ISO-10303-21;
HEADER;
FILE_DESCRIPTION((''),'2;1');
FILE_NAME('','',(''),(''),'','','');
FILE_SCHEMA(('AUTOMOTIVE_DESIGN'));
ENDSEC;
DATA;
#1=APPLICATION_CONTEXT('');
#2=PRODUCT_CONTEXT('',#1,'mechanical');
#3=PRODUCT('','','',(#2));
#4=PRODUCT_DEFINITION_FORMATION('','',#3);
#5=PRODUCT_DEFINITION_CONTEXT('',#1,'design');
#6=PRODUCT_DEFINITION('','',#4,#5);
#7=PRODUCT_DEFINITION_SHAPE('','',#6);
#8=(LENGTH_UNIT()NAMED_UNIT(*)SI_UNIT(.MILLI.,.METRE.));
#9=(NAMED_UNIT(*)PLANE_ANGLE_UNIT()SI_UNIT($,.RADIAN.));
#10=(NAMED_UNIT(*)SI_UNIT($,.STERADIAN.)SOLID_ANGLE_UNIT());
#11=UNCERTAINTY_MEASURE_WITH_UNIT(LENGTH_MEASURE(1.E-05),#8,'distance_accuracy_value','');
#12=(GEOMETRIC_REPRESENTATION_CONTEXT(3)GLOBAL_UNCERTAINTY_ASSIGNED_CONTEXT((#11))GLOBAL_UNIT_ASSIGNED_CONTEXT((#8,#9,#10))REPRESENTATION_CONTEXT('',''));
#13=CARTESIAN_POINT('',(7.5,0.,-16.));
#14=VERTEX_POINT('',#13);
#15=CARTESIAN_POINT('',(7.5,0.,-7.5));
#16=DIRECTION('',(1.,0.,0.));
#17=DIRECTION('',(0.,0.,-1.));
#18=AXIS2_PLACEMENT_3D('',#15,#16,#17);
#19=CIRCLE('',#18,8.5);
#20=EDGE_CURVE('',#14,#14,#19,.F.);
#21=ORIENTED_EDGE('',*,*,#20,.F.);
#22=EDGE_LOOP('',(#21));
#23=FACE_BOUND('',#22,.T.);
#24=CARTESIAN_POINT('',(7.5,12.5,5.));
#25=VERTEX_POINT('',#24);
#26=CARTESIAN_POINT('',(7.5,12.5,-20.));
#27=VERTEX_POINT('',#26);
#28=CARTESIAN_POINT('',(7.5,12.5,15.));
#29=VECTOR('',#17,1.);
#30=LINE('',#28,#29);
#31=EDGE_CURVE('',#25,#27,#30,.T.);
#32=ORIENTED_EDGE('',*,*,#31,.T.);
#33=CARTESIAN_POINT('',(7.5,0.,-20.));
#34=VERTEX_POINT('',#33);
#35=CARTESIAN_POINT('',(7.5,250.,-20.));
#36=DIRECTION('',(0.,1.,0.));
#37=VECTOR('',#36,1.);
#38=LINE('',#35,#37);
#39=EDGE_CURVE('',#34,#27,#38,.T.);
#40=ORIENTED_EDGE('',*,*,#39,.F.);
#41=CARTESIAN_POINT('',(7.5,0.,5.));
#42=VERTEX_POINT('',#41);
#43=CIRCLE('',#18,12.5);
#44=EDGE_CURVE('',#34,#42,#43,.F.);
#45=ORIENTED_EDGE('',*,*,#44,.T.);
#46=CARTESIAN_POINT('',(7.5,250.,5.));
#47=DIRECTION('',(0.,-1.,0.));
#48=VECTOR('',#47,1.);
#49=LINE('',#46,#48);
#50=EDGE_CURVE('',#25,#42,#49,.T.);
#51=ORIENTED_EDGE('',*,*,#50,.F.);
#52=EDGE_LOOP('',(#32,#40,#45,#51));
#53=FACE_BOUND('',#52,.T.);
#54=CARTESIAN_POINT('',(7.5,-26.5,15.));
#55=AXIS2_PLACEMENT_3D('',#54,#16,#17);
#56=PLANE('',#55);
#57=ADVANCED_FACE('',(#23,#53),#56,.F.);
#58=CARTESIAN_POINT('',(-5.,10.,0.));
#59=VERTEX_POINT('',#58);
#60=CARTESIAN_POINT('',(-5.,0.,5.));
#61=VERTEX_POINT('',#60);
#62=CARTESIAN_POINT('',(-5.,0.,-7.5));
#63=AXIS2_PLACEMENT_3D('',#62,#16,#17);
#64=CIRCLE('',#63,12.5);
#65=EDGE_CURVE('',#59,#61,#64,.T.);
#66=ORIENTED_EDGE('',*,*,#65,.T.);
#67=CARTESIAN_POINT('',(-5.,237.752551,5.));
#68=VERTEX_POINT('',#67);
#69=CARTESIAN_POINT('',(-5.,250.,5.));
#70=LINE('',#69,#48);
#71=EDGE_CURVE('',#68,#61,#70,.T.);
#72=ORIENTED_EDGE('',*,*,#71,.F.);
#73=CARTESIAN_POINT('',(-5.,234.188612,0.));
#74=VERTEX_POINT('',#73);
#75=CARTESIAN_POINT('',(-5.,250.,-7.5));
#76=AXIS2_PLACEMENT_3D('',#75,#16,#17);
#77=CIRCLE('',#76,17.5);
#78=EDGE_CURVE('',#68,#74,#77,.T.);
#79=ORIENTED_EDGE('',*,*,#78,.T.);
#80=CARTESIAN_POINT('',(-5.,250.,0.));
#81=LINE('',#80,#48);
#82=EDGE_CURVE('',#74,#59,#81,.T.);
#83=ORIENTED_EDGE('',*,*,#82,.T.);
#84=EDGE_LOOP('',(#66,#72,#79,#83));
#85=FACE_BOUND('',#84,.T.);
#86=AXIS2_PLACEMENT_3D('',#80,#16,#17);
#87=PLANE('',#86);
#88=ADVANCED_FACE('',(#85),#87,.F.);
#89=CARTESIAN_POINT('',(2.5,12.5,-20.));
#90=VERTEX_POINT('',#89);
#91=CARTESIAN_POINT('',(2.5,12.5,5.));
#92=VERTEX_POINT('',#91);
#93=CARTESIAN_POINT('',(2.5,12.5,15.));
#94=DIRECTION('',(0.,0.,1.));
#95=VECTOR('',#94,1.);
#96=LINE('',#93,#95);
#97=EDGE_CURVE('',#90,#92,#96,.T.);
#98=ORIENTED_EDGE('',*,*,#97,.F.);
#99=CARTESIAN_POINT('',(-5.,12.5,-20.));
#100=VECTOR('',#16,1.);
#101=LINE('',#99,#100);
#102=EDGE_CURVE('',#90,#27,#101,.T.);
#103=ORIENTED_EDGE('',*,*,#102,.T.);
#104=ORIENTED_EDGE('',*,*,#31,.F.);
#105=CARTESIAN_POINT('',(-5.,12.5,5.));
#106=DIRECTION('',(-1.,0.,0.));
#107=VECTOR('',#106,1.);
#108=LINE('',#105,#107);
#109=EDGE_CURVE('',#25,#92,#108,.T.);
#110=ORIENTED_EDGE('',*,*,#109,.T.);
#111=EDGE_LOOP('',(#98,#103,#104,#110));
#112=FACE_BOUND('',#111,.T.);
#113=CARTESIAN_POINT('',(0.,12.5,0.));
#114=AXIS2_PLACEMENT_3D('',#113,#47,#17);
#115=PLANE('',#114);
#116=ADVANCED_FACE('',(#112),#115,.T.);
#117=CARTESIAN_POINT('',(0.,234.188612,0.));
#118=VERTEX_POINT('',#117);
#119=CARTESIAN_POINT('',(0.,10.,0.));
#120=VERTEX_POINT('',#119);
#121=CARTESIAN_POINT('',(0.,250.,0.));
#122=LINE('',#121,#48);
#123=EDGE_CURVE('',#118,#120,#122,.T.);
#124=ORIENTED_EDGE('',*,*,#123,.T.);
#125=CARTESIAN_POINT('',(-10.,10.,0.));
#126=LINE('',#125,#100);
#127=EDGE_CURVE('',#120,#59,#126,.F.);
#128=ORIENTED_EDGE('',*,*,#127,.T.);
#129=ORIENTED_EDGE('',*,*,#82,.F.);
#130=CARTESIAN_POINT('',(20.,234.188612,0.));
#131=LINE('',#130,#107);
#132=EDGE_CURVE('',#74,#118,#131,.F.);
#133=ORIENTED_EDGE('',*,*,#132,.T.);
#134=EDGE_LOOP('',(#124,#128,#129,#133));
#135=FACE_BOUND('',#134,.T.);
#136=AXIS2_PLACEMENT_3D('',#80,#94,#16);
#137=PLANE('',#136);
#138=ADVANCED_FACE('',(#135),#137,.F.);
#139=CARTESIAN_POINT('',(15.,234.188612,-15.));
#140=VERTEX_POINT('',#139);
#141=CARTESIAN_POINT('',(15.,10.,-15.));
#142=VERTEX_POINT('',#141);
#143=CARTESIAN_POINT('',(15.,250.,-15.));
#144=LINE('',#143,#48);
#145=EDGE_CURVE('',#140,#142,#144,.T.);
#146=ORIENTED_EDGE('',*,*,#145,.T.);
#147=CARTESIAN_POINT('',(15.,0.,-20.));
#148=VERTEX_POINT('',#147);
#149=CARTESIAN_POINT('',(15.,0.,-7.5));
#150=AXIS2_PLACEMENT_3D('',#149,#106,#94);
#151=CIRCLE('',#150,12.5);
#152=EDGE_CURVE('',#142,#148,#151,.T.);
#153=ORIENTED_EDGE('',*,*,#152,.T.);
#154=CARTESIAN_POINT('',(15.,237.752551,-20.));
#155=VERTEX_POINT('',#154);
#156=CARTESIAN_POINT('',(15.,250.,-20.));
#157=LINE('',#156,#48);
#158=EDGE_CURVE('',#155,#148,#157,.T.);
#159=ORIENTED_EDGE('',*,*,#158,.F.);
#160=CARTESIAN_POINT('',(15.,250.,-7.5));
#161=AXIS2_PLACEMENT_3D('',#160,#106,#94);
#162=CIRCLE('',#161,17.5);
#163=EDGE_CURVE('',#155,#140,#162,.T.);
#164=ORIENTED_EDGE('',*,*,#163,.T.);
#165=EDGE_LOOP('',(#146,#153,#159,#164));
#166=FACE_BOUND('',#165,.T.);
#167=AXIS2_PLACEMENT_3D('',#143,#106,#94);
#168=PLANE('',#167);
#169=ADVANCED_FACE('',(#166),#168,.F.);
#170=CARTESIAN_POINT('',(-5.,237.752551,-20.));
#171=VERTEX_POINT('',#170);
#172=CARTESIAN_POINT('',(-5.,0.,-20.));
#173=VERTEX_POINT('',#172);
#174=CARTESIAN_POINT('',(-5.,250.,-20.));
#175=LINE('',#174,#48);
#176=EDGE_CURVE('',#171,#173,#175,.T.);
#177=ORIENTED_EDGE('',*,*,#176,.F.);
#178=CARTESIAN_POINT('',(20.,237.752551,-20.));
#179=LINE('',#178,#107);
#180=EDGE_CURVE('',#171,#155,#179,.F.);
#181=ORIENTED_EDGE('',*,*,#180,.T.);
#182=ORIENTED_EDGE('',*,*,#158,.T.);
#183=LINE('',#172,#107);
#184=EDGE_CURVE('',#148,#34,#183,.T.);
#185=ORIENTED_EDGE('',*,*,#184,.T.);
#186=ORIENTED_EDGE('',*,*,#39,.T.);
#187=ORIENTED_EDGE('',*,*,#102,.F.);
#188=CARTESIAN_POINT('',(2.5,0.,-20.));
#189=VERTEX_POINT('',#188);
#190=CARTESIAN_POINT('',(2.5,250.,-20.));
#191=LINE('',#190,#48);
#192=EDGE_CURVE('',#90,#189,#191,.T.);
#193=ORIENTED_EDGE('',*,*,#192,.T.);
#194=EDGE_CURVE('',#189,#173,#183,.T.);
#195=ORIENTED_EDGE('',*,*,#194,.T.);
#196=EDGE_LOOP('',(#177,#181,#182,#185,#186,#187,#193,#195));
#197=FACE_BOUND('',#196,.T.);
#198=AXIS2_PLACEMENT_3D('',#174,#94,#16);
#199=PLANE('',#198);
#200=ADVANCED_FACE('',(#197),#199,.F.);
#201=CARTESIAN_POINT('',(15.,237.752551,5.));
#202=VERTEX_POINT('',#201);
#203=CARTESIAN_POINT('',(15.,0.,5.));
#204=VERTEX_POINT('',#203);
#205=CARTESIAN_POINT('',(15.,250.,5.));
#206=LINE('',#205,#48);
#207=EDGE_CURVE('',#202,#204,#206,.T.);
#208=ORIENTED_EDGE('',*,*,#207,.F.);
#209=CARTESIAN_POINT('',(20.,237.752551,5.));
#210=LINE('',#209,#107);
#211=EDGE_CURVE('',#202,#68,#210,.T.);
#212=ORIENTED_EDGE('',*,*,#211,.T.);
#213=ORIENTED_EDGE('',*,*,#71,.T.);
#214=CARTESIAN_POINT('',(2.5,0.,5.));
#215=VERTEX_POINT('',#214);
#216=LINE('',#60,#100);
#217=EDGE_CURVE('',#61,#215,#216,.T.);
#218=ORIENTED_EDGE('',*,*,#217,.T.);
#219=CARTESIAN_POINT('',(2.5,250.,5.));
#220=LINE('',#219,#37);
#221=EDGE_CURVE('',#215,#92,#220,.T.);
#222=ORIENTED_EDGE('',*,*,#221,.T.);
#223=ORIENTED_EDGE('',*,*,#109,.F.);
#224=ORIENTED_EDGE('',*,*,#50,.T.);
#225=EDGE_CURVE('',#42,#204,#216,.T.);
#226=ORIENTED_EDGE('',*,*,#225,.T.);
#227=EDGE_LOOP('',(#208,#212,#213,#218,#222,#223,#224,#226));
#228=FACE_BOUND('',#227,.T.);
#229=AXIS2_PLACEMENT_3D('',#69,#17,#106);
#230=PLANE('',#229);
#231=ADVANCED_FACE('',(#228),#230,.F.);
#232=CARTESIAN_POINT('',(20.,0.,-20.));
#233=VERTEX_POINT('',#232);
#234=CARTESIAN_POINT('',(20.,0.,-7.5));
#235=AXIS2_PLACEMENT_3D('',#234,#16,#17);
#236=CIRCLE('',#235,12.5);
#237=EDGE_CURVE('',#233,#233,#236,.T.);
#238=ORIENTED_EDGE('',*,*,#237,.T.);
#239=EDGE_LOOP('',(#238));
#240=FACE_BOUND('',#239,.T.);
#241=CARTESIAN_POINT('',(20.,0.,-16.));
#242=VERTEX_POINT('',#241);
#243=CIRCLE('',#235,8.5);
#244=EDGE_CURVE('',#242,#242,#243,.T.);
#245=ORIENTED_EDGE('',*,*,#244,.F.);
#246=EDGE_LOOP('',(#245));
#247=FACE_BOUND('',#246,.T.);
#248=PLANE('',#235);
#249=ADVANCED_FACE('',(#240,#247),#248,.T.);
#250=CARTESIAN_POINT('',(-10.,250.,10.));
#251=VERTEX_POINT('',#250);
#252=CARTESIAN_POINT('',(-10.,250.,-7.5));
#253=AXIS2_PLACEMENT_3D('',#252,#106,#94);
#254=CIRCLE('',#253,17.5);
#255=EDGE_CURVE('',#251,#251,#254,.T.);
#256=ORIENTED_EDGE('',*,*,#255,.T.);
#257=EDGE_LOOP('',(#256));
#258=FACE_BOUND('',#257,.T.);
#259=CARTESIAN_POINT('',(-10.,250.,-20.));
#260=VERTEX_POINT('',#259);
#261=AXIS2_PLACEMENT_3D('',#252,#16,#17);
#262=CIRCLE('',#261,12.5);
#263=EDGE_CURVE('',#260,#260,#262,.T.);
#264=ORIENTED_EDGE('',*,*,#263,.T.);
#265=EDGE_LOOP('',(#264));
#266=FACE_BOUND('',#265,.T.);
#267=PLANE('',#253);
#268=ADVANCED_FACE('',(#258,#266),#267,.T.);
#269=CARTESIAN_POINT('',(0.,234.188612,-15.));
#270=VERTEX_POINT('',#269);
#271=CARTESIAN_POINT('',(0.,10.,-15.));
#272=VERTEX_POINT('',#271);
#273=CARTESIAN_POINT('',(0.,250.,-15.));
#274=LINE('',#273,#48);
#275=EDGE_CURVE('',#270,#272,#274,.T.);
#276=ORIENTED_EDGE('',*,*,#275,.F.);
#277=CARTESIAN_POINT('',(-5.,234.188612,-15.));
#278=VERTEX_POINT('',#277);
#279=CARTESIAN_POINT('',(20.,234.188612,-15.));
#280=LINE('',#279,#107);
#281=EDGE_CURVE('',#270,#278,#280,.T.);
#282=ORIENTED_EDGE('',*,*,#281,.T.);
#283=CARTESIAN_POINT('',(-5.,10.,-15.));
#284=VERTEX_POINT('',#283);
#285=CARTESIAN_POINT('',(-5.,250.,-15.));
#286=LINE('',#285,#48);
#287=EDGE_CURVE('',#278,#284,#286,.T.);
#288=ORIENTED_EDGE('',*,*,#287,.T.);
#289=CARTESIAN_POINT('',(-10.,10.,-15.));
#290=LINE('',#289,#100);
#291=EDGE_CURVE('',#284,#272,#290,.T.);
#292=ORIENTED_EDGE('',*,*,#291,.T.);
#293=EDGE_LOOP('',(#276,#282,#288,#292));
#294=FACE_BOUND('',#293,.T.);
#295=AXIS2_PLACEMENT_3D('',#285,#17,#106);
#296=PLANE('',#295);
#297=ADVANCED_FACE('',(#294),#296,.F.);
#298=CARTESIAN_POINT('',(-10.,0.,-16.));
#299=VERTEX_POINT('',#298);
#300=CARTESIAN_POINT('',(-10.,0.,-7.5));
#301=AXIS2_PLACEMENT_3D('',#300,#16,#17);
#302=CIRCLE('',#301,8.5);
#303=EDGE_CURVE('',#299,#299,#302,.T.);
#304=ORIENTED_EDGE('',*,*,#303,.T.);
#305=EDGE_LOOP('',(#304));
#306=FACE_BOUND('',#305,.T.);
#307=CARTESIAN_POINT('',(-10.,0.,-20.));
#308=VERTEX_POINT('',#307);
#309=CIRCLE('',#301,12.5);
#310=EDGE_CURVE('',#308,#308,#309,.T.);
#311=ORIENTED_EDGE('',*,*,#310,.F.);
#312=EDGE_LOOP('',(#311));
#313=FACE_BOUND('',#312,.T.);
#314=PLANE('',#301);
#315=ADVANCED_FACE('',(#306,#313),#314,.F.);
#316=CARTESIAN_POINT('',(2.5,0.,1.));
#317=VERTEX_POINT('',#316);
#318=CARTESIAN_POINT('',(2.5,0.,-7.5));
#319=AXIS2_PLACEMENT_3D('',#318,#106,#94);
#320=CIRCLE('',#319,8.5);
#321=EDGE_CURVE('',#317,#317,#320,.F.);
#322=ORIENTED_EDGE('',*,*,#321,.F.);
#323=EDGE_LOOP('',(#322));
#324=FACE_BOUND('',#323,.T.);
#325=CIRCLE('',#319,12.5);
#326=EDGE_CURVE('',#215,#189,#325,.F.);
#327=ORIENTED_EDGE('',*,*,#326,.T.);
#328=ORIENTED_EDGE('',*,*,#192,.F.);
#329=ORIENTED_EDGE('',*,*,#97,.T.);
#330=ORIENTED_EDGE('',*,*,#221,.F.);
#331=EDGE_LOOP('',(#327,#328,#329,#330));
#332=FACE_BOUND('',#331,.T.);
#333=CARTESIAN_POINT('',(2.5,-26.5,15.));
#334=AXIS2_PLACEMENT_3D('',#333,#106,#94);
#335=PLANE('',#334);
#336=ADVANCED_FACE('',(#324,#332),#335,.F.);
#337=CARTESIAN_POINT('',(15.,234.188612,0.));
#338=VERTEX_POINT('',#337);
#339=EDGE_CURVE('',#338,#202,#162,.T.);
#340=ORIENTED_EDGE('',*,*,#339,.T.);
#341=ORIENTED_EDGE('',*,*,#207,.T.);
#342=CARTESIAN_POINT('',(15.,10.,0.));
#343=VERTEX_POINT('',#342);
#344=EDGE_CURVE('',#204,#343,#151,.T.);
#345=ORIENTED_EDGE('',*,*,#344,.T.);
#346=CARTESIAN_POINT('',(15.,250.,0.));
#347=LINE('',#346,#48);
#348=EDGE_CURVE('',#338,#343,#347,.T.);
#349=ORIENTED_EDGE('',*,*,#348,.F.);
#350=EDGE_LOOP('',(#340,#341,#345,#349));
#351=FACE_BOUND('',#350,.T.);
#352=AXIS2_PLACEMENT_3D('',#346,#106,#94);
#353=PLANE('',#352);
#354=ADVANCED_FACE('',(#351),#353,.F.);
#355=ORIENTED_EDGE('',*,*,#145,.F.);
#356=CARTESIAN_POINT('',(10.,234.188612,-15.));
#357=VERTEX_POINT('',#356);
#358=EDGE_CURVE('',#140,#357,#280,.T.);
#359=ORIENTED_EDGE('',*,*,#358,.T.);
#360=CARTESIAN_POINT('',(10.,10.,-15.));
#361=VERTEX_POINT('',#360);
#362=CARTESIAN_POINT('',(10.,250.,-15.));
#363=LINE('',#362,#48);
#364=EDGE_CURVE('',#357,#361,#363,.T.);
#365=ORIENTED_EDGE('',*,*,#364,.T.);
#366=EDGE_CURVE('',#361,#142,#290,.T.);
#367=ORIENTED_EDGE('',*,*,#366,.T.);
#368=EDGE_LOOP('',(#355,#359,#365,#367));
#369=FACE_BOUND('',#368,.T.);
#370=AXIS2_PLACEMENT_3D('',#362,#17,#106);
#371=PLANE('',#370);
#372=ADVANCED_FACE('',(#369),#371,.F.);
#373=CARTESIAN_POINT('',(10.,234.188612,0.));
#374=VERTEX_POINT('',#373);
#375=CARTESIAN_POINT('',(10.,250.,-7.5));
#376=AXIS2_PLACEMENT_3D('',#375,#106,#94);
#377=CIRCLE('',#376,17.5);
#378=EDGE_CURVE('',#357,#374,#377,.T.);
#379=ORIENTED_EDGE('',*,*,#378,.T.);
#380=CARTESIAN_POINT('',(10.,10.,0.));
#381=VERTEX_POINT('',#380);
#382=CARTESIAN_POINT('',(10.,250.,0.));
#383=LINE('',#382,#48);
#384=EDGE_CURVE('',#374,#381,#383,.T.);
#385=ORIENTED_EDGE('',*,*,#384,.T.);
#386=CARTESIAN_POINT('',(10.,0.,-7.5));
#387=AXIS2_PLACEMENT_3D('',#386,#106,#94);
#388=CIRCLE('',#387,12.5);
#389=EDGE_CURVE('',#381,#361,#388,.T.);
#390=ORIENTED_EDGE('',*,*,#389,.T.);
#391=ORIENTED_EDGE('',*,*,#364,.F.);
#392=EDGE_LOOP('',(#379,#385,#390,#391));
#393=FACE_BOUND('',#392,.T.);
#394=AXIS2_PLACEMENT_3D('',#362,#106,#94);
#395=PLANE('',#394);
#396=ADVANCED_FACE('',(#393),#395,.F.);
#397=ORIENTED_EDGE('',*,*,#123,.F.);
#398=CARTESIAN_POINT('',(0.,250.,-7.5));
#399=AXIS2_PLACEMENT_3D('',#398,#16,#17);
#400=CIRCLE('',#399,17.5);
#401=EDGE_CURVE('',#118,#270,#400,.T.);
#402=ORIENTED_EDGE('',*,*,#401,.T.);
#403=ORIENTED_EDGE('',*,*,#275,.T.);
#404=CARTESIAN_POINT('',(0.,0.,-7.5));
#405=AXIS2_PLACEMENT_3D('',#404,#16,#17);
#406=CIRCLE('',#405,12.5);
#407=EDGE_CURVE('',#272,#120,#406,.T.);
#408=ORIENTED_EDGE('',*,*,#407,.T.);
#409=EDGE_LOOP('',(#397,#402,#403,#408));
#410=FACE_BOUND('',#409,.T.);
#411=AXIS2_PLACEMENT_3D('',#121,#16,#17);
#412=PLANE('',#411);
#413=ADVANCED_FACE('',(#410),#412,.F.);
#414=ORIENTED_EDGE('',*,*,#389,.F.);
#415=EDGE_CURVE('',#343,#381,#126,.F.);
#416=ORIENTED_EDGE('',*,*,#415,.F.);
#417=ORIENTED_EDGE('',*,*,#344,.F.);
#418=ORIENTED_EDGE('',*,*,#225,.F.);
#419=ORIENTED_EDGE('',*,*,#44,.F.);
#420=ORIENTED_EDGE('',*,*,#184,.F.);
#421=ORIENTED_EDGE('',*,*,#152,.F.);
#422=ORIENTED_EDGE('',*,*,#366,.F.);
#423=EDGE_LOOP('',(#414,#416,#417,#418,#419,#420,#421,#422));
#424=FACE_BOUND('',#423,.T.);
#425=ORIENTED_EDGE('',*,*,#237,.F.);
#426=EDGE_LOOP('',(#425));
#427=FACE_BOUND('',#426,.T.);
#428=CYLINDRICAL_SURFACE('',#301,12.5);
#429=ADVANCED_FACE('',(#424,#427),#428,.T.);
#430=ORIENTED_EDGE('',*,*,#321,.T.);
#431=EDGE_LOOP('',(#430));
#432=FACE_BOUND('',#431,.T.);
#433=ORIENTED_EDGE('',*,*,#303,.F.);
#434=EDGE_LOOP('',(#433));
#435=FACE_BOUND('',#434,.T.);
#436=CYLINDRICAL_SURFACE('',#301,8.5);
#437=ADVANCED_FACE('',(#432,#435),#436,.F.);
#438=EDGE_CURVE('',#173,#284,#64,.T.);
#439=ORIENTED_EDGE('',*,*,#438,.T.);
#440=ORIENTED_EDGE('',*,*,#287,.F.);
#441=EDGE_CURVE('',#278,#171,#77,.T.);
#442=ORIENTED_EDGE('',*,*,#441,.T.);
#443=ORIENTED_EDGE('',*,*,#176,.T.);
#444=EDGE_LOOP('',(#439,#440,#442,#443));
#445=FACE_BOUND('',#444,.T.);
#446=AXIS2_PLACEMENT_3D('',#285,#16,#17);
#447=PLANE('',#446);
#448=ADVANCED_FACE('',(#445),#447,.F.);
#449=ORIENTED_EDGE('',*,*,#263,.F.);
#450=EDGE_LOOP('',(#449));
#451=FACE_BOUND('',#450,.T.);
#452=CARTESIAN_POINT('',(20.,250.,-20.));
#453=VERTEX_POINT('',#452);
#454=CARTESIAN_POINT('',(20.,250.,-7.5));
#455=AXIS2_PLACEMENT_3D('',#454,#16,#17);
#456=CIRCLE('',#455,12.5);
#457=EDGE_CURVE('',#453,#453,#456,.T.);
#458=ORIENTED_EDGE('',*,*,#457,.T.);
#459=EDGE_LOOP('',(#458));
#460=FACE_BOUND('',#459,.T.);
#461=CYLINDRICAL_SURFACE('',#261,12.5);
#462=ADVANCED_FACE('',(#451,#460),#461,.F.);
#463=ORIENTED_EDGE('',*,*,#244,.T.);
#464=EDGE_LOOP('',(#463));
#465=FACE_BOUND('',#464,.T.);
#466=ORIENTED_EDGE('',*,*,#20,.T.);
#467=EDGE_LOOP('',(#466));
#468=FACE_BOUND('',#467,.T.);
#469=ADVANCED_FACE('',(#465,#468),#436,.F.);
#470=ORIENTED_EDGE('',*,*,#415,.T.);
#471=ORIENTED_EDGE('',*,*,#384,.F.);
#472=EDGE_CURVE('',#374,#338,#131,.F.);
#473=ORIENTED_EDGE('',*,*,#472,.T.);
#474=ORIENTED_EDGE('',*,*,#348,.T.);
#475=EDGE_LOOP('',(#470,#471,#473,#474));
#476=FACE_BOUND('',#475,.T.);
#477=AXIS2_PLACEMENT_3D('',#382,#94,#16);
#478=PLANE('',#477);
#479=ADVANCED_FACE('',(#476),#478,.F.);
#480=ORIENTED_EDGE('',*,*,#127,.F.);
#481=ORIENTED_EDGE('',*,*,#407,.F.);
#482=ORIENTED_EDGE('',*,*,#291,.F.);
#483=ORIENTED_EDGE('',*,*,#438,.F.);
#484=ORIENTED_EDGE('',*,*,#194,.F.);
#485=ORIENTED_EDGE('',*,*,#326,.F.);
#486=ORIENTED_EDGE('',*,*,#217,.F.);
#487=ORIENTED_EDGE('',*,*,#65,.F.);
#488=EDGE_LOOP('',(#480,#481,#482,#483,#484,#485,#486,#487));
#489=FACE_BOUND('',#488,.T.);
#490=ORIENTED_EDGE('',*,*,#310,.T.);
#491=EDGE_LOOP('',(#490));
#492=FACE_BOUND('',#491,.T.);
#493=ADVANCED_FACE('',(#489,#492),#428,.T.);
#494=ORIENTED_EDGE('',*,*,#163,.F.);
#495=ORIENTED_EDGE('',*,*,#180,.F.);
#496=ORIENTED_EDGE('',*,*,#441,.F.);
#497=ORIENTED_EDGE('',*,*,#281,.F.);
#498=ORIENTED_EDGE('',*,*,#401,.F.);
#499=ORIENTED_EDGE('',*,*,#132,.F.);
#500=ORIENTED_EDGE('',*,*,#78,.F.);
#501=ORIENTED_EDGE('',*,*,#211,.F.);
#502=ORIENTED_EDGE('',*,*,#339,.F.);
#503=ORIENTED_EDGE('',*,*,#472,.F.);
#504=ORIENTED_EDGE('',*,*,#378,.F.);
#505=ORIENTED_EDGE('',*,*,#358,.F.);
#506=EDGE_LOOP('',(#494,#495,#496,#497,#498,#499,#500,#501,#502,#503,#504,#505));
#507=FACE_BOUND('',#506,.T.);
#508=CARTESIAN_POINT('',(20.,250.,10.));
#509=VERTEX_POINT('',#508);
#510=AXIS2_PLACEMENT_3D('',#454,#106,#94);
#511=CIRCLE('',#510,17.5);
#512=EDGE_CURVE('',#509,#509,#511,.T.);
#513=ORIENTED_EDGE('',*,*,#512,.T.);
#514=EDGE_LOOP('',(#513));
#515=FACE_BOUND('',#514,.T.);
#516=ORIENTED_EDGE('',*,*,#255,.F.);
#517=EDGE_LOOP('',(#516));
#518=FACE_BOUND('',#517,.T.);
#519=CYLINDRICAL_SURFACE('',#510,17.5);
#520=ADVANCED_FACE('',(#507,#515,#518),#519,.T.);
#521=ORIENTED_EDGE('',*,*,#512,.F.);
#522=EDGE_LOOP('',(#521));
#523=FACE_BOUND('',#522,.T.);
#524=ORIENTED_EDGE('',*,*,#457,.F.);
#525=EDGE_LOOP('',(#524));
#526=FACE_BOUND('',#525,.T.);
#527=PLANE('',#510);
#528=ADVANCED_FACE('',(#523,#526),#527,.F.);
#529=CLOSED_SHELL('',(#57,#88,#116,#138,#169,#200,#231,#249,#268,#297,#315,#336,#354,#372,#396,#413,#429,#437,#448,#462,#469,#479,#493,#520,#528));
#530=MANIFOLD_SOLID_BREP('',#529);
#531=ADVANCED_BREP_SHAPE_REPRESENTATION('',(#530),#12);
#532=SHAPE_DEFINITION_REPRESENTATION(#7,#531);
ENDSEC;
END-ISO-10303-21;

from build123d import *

# Parameters (mm, degrees)
BOSS_EXTRUDE1_DEPTH      = 250
BOSS_EXTRUDE2_DEPTH      = 10
BOSS_EXTRUDE2_DEPTH_BACK = 20
SKETCH2_R                = 12.5
SKETCH3_R                = 8.5
CUT_EXTRUDE1_DEPTH       = 253.586618806
BOSS_EXTRUDE3_DEPTH      = 10
BOSS_EXTRUDE3_DEPTH_BACK = 20
SKETCH4_R                = 17.5
SKETCH5_R                = 12.5
CUT_EXTRUDE2_DEPTH       = 271.335439778
CUT_EXTRUDE3_START       = 12.5
SKETCH6_W                = 5
SKETCH6_H                = 40
CUT_EXTRUDE3_DEPTH       = 39


with BuildPart() as part:
    # Sketch1 → Boss-Extrude1 (new body)
    with BuildSketch(Plane(origin=(0, 0, 0), x_dir=(1, 0, 0), z_dir=(0, 1, 0))):
        Polygon((0, 0), (0, 15), (-5, 15), (-5, 20), (15, 20), (15, 15), (10, 15), (10, 0), (15, 0), (15, -5), (-5, -5), (-5, 0), align=None)
    extrude(amount=BOSS_EXTRUDE1_DEPTH)

    # Sketch2 → Boss-Extrude2 (add, two sides: drawn at the far end of the back side and taken through both)
    with BuildSketch(Plane(origin=(10, 0, 0), x_dir=(0, 0, -1), z_dir=(1, 0, 0)).offset(-BOSS_EXTRUDE2_DEPTH_BACK)):
        with Locations((7.5, 0)):
            Circle(SKETCH2_R)
    extrude(amount=BOSS_EXTRUDE2_DEPTH + BOSS_EXTRUDE2_DEPTH_BACK)

    # Sketch3 → Cut-Extrude1 (cut, through all)
    with BuildSketch(Plane(origin=(20, 0, 0), x_dir=(0, 0, -1), z_dir=(1, 0, 0))):
        with Locations((7.5, 0)):
            Circle(SKETCH3_R)
    extrude(amount=-CUT_EXTRUDE1_DEPTH, mode=Mode.SUBTRACT)

    # Sketch4 → Boss-Extrude3 (add, two sides: drawn at the far end of the back side and taken through both)
    with BuildSketch(Plane.ZY.offset(-BOSS_EXTRUDE3_DEPTH_BACK)):
        with Locations((-7.5, 250)):
            Circle(SKETCH4_R)
    extrude(amount=BOSS_EXTRUDE3_DEPTH + BOSS_EXTRUDE3_DEPTH_BACK)

    # Sketch5 → Cut-Extrude2 (cut, through all)
    with BuildSketch(Plane(origin=(20, 0, 0), x_dir=(0, 0, -1), z_dir=(1, 0, 0))):
        with Locations((7.5, 250)):
            Circle(SKETCH5_R)
    extrude(amount=-CUT_EXTRUDE2_DEPTH, mode=Mode.SUBTRACT)

    # Sketch6 → Cut-Extrude3 (cut)
    with BuildSketch(Plane(origin=(0, 0, 0), x_dir=(1, 0, 0), z_dir=(0, 1, 0)).offset(CUT_EXTRUDE3_START)):
        with Locations((5, 5)):
            Rectangle(SKETCH6_W, SKETCH6_H)
    extrude(amount=-CUT_EXTRUDE3_DEPTH, mode=Mode.SUBTRACT)


solid = part.part
